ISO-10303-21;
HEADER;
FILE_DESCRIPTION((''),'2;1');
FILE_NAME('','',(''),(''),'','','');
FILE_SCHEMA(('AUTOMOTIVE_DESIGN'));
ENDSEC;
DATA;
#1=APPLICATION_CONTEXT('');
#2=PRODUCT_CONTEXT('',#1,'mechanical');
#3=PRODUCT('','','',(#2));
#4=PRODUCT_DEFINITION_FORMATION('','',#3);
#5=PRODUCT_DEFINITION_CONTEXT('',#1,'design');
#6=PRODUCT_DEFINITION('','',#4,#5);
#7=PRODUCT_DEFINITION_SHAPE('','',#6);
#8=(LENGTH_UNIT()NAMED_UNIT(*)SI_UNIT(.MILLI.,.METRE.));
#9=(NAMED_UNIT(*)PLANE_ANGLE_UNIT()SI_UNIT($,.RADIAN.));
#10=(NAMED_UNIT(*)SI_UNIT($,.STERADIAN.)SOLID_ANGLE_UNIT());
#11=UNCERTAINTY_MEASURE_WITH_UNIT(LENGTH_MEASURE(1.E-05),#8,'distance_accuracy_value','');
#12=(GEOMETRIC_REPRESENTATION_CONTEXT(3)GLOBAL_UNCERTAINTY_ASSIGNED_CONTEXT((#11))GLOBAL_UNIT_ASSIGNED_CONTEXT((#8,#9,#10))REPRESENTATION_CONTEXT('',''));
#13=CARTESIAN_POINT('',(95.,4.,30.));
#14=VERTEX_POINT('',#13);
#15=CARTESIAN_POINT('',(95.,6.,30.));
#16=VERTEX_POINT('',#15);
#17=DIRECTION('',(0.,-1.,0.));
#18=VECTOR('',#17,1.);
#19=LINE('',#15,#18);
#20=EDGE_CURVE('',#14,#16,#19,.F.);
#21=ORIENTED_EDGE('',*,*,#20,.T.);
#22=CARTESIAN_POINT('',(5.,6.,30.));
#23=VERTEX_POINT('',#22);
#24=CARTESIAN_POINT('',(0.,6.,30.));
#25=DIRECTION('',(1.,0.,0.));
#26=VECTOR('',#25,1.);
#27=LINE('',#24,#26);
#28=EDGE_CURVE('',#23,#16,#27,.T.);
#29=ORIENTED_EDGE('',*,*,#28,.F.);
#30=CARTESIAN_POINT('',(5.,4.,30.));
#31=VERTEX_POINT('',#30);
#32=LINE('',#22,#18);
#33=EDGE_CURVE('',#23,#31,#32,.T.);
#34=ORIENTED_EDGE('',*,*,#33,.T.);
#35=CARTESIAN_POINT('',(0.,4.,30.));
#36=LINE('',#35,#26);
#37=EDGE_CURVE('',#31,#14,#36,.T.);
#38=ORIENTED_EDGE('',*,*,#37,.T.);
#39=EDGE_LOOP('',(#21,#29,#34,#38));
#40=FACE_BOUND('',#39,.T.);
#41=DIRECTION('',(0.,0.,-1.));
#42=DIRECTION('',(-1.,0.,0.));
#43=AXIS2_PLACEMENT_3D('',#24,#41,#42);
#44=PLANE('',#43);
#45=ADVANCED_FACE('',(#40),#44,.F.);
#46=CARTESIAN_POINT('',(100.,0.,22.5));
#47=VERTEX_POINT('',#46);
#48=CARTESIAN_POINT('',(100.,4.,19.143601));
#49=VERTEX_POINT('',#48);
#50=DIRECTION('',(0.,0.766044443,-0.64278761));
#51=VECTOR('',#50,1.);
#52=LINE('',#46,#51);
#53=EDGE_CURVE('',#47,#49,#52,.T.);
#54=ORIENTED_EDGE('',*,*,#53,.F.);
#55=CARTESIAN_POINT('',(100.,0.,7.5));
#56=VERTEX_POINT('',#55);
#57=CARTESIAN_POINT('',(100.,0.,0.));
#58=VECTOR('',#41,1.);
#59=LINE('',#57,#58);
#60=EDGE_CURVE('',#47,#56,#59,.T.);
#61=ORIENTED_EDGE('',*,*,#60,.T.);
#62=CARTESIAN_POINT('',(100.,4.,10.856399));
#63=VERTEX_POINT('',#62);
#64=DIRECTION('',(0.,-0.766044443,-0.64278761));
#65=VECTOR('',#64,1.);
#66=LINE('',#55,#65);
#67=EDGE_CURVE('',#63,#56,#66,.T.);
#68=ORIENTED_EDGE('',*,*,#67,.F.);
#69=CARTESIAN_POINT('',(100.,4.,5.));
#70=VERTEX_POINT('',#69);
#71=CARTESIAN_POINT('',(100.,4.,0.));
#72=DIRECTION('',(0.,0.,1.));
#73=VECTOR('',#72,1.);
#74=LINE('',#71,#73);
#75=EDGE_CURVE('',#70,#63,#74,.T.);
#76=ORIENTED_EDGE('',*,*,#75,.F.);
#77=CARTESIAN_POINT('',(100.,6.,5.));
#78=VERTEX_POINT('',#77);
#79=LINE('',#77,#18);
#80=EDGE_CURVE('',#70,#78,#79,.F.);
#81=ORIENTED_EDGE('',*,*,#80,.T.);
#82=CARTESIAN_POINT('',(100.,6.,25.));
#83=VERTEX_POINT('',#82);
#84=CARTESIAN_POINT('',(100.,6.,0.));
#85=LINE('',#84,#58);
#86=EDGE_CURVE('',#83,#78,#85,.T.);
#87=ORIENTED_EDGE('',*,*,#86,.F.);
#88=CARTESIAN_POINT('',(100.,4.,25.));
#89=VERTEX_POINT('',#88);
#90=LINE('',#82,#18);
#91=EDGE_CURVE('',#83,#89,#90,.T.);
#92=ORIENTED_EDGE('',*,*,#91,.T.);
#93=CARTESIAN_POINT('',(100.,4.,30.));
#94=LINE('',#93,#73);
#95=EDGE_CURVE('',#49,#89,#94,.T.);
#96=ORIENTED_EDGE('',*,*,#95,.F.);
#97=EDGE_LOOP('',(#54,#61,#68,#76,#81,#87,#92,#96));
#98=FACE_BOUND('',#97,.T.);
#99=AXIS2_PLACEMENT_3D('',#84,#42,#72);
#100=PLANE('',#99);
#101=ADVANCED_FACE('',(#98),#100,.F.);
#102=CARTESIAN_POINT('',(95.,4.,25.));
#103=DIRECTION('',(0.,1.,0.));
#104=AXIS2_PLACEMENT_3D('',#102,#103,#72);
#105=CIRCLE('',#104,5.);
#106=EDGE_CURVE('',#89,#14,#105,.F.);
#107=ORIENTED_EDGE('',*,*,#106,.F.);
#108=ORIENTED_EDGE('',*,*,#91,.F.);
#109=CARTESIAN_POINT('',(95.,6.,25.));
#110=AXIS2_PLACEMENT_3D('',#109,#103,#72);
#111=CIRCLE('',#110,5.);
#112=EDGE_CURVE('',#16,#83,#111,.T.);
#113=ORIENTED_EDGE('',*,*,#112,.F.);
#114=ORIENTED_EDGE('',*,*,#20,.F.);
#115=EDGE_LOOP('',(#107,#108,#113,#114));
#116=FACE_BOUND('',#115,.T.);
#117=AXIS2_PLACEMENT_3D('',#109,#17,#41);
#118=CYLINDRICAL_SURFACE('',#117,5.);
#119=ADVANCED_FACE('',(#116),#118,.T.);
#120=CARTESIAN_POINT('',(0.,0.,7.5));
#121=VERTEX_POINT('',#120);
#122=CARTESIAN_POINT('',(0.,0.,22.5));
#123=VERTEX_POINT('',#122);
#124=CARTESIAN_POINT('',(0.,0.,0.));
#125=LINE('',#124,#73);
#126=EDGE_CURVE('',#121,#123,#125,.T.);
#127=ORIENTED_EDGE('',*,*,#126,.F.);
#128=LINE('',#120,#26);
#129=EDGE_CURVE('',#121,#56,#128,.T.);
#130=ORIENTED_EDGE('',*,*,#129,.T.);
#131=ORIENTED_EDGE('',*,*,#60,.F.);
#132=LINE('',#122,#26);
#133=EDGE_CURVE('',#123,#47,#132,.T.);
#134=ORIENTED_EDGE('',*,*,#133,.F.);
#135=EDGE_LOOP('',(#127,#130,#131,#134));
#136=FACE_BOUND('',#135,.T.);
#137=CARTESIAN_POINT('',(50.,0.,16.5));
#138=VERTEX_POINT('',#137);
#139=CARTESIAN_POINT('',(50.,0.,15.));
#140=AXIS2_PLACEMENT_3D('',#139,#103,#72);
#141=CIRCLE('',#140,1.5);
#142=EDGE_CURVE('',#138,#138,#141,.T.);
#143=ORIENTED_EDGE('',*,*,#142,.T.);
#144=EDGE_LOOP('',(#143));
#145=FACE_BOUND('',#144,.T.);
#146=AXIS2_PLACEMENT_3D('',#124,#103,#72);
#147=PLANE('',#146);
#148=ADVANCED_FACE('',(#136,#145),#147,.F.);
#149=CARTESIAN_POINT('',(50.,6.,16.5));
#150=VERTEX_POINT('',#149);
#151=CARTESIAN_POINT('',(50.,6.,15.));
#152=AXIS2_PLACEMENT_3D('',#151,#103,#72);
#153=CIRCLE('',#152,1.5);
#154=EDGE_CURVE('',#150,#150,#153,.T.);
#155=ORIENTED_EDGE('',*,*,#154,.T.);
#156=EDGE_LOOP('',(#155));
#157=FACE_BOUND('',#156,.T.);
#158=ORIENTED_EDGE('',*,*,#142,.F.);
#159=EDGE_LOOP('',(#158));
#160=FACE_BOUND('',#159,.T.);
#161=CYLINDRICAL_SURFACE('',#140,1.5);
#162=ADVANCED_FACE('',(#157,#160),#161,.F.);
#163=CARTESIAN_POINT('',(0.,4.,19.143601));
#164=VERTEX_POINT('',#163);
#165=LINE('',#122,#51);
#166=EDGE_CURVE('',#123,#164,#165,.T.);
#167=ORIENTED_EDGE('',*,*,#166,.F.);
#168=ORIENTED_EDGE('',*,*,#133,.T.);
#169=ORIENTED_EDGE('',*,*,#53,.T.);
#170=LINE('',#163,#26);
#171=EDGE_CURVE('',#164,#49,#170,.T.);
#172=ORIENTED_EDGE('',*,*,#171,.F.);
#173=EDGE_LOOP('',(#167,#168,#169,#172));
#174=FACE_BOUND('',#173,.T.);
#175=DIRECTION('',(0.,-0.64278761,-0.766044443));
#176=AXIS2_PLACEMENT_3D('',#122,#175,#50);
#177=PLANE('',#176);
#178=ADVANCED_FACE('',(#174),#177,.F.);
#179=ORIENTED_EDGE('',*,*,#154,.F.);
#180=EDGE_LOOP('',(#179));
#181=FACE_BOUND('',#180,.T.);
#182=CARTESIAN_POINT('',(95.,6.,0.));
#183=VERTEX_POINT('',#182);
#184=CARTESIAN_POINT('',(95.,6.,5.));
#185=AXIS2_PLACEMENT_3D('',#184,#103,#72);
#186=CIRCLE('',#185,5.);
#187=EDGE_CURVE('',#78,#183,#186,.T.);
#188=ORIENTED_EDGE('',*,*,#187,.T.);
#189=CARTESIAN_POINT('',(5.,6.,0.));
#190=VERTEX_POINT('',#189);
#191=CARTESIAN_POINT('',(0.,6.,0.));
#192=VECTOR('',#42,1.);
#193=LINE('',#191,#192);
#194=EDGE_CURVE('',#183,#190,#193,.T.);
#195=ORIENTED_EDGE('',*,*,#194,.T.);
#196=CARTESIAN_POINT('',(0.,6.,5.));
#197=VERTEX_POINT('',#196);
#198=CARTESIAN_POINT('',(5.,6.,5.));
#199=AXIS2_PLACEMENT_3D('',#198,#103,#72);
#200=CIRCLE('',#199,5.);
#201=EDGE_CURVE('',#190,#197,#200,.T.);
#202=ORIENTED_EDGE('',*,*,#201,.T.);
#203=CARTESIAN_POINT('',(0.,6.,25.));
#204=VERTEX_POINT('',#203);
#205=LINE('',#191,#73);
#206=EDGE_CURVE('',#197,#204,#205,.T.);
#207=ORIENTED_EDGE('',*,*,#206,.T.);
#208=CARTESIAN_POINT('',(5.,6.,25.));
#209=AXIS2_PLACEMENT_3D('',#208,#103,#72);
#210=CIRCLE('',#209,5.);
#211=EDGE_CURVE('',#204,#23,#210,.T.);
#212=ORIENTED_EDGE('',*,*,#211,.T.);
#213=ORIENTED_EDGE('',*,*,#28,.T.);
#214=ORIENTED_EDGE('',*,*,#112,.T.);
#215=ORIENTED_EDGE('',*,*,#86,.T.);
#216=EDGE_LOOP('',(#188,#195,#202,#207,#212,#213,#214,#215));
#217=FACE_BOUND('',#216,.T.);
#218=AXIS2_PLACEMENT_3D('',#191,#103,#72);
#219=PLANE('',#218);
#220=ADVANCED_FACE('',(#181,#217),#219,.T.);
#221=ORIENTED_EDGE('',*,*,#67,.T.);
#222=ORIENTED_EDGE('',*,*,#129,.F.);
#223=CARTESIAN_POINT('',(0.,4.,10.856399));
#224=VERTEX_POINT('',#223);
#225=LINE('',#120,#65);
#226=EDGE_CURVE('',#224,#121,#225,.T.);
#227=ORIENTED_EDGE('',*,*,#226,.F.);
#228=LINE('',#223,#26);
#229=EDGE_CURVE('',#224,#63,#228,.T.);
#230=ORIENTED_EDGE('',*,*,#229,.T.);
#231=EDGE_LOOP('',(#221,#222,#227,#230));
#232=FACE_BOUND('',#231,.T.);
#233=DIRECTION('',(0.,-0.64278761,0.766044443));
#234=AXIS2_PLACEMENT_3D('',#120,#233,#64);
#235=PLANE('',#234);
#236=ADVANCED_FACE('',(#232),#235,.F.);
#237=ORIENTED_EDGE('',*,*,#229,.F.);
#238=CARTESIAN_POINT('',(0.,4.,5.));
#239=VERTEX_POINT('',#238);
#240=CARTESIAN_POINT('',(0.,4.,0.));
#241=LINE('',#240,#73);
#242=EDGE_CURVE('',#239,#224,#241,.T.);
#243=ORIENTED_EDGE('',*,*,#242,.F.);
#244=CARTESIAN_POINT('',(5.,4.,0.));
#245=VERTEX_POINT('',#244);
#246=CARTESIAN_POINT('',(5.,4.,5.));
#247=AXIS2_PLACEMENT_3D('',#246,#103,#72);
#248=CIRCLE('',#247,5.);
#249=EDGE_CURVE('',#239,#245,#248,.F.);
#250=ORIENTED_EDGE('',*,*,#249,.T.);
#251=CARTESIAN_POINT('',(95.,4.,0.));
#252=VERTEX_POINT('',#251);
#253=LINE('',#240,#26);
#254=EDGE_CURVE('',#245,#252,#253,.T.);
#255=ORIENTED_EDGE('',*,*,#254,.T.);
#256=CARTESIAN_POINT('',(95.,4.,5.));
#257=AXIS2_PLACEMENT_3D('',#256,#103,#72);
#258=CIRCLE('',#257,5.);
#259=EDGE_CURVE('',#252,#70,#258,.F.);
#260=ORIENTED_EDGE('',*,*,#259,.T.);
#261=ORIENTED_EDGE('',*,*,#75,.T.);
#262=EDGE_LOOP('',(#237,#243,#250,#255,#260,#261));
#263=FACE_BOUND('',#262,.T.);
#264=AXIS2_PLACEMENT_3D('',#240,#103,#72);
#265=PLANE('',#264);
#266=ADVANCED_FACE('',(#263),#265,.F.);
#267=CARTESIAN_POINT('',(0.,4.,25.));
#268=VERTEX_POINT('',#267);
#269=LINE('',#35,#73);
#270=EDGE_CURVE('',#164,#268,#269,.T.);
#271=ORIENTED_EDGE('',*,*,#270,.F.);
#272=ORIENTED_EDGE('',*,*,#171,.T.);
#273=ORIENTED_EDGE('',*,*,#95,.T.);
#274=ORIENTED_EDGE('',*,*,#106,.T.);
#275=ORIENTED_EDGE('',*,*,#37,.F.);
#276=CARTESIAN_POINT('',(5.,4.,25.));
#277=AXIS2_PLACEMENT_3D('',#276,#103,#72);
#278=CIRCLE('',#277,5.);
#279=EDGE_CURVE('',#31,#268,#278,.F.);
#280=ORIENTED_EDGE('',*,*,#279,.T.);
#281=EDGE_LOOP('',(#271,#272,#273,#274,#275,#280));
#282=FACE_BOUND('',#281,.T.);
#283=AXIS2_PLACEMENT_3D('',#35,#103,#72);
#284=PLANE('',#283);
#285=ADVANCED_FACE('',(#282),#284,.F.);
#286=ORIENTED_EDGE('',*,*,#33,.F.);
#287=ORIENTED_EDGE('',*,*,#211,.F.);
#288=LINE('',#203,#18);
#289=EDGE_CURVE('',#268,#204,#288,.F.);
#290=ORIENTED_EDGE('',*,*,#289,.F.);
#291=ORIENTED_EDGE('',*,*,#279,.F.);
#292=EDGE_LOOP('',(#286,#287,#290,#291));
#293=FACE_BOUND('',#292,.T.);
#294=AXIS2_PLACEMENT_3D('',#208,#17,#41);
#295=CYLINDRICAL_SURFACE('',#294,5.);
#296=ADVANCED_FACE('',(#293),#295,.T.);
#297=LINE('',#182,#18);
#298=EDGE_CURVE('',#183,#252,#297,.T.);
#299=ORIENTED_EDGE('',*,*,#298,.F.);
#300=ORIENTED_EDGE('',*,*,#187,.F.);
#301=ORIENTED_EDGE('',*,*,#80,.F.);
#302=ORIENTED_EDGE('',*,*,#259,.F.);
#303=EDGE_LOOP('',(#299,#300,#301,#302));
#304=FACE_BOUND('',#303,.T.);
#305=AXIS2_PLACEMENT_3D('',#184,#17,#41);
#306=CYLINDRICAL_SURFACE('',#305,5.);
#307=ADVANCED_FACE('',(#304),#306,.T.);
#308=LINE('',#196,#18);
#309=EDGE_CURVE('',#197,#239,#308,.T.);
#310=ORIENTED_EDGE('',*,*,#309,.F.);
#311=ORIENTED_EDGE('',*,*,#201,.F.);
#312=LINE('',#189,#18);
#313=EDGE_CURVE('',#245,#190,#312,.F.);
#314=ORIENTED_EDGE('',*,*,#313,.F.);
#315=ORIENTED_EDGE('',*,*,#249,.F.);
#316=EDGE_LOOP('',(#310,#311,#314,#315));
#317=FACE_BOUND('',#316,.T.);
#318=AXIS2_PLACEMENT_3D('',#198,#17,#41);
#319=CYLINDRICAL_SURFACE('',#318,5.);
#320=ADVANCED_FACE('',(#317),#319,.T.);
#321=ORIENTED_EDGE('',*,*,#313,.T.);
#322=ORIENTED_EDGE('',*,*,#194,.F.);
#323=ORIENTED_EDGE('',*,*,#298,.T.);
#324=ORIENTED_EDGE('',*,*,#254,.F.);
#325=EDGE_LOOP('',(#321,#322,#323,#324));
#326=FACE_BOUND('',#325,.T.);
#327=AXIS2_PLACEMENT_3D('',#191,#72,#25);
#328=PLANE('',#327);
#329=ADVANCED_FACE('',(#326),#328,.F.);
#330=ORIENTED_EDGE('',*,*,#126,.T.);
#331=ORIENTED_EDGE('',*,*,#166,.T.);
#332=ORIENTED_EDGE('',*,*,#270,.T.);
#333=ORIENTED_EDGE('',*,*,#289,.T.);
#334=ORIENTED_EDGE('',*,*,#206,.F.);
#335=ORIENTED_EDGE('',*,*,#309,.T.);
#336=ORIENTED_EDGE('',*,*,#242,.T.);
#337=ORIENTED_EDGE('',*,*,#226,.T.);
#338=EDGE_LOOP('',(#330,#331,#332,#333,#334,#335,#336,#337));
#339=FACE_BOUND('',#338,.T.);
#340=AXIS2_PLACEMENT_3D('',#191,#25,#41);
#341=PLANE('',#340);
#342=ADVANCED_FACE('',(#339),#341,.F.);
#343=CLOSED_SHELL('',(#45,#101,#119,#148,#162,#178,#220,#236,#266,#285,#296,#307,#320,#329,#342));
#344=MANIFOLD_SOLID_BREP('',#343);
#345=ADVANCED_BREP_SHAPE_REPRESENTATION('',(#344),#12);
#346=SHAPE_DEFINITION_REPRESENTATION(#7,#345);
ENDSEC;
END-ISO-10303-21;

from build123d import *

# Parameters (mm, degrees)
SKETCH4_W           = 100
SKETCH4_H           = 30
BOSS_EXTRUDE2_DEPTH = 6
CUT_EXTRUDE1_DEPTH  = 105.575331699
SKETCH7_R           = 1.5
CUT_EXTRUDE2_DEPTH  = 105.575331699
FILLET2_R           = 5
FILLET3_R           = 5


with BuildPart() as part:
    # Sketch4 → Boss-Extrude2 (new body)
    with BuildSketch(Plane(origin=(0, 0, 0), x_dir=(1, 0, 0), z_dir=(0, 1, 0))):
        with Locations((50, -15)):
            Rectangle(SKETCH4_W, SKETCH4_H)
    extrude(amount=BOSS_EXTRUDE2_DEPTH)

    # Sketch6 → Cut-Extrude1 (cut, through all)
    with BuildSketch(Plane(origin=(100, 0, 0), x_dir=(0, 0, -1), z_dir=(1, 0, 0))):
        Polygon((-7.5, 0), (0, 0), (0, 4), (-10.856398525, 4), align=None)
        Polygon((-22.5, 0), (-30, 0), (-30, 4), (-19.143601475, 4), align=None)
    extrude(amount=-CUT_EXTRUDE1_DEPTH, mode=Mode.SUBTRACT)

    # Sketch7 → Cut-Extrude2 (cut, through all)
    with BuildSketch(Plane(origin=(0, 6, 0), x_dir=(1, 0, 0), z_dir=(0, 1, 0))):
        with Locations(Location((50, -15, 0), (0, 0, 270))):
            Circle(SKETCH7_R)
    extrude(amount=-CUT_EXTRUDE2_DEPTH, mode=Mode.SUBTRACT)

    # Fillet2
    fillet2_edges = [part.edges().sort_by_distance(p)[0] for p in [
        (0, 5, 0),
    ]]
    fillet(fillet2_edges, radius=FILLET2_R)

    # Fillet3
    fillet3_edges = [part.edges().sort_by_distance(p)[0] for p in [
        (100, 5, 0),
        (100, 5, 30),
        (0, 5, 30),
    ]]
    fillet(fillet3_edges, radius=FILLET3_R)


solid = part.part
